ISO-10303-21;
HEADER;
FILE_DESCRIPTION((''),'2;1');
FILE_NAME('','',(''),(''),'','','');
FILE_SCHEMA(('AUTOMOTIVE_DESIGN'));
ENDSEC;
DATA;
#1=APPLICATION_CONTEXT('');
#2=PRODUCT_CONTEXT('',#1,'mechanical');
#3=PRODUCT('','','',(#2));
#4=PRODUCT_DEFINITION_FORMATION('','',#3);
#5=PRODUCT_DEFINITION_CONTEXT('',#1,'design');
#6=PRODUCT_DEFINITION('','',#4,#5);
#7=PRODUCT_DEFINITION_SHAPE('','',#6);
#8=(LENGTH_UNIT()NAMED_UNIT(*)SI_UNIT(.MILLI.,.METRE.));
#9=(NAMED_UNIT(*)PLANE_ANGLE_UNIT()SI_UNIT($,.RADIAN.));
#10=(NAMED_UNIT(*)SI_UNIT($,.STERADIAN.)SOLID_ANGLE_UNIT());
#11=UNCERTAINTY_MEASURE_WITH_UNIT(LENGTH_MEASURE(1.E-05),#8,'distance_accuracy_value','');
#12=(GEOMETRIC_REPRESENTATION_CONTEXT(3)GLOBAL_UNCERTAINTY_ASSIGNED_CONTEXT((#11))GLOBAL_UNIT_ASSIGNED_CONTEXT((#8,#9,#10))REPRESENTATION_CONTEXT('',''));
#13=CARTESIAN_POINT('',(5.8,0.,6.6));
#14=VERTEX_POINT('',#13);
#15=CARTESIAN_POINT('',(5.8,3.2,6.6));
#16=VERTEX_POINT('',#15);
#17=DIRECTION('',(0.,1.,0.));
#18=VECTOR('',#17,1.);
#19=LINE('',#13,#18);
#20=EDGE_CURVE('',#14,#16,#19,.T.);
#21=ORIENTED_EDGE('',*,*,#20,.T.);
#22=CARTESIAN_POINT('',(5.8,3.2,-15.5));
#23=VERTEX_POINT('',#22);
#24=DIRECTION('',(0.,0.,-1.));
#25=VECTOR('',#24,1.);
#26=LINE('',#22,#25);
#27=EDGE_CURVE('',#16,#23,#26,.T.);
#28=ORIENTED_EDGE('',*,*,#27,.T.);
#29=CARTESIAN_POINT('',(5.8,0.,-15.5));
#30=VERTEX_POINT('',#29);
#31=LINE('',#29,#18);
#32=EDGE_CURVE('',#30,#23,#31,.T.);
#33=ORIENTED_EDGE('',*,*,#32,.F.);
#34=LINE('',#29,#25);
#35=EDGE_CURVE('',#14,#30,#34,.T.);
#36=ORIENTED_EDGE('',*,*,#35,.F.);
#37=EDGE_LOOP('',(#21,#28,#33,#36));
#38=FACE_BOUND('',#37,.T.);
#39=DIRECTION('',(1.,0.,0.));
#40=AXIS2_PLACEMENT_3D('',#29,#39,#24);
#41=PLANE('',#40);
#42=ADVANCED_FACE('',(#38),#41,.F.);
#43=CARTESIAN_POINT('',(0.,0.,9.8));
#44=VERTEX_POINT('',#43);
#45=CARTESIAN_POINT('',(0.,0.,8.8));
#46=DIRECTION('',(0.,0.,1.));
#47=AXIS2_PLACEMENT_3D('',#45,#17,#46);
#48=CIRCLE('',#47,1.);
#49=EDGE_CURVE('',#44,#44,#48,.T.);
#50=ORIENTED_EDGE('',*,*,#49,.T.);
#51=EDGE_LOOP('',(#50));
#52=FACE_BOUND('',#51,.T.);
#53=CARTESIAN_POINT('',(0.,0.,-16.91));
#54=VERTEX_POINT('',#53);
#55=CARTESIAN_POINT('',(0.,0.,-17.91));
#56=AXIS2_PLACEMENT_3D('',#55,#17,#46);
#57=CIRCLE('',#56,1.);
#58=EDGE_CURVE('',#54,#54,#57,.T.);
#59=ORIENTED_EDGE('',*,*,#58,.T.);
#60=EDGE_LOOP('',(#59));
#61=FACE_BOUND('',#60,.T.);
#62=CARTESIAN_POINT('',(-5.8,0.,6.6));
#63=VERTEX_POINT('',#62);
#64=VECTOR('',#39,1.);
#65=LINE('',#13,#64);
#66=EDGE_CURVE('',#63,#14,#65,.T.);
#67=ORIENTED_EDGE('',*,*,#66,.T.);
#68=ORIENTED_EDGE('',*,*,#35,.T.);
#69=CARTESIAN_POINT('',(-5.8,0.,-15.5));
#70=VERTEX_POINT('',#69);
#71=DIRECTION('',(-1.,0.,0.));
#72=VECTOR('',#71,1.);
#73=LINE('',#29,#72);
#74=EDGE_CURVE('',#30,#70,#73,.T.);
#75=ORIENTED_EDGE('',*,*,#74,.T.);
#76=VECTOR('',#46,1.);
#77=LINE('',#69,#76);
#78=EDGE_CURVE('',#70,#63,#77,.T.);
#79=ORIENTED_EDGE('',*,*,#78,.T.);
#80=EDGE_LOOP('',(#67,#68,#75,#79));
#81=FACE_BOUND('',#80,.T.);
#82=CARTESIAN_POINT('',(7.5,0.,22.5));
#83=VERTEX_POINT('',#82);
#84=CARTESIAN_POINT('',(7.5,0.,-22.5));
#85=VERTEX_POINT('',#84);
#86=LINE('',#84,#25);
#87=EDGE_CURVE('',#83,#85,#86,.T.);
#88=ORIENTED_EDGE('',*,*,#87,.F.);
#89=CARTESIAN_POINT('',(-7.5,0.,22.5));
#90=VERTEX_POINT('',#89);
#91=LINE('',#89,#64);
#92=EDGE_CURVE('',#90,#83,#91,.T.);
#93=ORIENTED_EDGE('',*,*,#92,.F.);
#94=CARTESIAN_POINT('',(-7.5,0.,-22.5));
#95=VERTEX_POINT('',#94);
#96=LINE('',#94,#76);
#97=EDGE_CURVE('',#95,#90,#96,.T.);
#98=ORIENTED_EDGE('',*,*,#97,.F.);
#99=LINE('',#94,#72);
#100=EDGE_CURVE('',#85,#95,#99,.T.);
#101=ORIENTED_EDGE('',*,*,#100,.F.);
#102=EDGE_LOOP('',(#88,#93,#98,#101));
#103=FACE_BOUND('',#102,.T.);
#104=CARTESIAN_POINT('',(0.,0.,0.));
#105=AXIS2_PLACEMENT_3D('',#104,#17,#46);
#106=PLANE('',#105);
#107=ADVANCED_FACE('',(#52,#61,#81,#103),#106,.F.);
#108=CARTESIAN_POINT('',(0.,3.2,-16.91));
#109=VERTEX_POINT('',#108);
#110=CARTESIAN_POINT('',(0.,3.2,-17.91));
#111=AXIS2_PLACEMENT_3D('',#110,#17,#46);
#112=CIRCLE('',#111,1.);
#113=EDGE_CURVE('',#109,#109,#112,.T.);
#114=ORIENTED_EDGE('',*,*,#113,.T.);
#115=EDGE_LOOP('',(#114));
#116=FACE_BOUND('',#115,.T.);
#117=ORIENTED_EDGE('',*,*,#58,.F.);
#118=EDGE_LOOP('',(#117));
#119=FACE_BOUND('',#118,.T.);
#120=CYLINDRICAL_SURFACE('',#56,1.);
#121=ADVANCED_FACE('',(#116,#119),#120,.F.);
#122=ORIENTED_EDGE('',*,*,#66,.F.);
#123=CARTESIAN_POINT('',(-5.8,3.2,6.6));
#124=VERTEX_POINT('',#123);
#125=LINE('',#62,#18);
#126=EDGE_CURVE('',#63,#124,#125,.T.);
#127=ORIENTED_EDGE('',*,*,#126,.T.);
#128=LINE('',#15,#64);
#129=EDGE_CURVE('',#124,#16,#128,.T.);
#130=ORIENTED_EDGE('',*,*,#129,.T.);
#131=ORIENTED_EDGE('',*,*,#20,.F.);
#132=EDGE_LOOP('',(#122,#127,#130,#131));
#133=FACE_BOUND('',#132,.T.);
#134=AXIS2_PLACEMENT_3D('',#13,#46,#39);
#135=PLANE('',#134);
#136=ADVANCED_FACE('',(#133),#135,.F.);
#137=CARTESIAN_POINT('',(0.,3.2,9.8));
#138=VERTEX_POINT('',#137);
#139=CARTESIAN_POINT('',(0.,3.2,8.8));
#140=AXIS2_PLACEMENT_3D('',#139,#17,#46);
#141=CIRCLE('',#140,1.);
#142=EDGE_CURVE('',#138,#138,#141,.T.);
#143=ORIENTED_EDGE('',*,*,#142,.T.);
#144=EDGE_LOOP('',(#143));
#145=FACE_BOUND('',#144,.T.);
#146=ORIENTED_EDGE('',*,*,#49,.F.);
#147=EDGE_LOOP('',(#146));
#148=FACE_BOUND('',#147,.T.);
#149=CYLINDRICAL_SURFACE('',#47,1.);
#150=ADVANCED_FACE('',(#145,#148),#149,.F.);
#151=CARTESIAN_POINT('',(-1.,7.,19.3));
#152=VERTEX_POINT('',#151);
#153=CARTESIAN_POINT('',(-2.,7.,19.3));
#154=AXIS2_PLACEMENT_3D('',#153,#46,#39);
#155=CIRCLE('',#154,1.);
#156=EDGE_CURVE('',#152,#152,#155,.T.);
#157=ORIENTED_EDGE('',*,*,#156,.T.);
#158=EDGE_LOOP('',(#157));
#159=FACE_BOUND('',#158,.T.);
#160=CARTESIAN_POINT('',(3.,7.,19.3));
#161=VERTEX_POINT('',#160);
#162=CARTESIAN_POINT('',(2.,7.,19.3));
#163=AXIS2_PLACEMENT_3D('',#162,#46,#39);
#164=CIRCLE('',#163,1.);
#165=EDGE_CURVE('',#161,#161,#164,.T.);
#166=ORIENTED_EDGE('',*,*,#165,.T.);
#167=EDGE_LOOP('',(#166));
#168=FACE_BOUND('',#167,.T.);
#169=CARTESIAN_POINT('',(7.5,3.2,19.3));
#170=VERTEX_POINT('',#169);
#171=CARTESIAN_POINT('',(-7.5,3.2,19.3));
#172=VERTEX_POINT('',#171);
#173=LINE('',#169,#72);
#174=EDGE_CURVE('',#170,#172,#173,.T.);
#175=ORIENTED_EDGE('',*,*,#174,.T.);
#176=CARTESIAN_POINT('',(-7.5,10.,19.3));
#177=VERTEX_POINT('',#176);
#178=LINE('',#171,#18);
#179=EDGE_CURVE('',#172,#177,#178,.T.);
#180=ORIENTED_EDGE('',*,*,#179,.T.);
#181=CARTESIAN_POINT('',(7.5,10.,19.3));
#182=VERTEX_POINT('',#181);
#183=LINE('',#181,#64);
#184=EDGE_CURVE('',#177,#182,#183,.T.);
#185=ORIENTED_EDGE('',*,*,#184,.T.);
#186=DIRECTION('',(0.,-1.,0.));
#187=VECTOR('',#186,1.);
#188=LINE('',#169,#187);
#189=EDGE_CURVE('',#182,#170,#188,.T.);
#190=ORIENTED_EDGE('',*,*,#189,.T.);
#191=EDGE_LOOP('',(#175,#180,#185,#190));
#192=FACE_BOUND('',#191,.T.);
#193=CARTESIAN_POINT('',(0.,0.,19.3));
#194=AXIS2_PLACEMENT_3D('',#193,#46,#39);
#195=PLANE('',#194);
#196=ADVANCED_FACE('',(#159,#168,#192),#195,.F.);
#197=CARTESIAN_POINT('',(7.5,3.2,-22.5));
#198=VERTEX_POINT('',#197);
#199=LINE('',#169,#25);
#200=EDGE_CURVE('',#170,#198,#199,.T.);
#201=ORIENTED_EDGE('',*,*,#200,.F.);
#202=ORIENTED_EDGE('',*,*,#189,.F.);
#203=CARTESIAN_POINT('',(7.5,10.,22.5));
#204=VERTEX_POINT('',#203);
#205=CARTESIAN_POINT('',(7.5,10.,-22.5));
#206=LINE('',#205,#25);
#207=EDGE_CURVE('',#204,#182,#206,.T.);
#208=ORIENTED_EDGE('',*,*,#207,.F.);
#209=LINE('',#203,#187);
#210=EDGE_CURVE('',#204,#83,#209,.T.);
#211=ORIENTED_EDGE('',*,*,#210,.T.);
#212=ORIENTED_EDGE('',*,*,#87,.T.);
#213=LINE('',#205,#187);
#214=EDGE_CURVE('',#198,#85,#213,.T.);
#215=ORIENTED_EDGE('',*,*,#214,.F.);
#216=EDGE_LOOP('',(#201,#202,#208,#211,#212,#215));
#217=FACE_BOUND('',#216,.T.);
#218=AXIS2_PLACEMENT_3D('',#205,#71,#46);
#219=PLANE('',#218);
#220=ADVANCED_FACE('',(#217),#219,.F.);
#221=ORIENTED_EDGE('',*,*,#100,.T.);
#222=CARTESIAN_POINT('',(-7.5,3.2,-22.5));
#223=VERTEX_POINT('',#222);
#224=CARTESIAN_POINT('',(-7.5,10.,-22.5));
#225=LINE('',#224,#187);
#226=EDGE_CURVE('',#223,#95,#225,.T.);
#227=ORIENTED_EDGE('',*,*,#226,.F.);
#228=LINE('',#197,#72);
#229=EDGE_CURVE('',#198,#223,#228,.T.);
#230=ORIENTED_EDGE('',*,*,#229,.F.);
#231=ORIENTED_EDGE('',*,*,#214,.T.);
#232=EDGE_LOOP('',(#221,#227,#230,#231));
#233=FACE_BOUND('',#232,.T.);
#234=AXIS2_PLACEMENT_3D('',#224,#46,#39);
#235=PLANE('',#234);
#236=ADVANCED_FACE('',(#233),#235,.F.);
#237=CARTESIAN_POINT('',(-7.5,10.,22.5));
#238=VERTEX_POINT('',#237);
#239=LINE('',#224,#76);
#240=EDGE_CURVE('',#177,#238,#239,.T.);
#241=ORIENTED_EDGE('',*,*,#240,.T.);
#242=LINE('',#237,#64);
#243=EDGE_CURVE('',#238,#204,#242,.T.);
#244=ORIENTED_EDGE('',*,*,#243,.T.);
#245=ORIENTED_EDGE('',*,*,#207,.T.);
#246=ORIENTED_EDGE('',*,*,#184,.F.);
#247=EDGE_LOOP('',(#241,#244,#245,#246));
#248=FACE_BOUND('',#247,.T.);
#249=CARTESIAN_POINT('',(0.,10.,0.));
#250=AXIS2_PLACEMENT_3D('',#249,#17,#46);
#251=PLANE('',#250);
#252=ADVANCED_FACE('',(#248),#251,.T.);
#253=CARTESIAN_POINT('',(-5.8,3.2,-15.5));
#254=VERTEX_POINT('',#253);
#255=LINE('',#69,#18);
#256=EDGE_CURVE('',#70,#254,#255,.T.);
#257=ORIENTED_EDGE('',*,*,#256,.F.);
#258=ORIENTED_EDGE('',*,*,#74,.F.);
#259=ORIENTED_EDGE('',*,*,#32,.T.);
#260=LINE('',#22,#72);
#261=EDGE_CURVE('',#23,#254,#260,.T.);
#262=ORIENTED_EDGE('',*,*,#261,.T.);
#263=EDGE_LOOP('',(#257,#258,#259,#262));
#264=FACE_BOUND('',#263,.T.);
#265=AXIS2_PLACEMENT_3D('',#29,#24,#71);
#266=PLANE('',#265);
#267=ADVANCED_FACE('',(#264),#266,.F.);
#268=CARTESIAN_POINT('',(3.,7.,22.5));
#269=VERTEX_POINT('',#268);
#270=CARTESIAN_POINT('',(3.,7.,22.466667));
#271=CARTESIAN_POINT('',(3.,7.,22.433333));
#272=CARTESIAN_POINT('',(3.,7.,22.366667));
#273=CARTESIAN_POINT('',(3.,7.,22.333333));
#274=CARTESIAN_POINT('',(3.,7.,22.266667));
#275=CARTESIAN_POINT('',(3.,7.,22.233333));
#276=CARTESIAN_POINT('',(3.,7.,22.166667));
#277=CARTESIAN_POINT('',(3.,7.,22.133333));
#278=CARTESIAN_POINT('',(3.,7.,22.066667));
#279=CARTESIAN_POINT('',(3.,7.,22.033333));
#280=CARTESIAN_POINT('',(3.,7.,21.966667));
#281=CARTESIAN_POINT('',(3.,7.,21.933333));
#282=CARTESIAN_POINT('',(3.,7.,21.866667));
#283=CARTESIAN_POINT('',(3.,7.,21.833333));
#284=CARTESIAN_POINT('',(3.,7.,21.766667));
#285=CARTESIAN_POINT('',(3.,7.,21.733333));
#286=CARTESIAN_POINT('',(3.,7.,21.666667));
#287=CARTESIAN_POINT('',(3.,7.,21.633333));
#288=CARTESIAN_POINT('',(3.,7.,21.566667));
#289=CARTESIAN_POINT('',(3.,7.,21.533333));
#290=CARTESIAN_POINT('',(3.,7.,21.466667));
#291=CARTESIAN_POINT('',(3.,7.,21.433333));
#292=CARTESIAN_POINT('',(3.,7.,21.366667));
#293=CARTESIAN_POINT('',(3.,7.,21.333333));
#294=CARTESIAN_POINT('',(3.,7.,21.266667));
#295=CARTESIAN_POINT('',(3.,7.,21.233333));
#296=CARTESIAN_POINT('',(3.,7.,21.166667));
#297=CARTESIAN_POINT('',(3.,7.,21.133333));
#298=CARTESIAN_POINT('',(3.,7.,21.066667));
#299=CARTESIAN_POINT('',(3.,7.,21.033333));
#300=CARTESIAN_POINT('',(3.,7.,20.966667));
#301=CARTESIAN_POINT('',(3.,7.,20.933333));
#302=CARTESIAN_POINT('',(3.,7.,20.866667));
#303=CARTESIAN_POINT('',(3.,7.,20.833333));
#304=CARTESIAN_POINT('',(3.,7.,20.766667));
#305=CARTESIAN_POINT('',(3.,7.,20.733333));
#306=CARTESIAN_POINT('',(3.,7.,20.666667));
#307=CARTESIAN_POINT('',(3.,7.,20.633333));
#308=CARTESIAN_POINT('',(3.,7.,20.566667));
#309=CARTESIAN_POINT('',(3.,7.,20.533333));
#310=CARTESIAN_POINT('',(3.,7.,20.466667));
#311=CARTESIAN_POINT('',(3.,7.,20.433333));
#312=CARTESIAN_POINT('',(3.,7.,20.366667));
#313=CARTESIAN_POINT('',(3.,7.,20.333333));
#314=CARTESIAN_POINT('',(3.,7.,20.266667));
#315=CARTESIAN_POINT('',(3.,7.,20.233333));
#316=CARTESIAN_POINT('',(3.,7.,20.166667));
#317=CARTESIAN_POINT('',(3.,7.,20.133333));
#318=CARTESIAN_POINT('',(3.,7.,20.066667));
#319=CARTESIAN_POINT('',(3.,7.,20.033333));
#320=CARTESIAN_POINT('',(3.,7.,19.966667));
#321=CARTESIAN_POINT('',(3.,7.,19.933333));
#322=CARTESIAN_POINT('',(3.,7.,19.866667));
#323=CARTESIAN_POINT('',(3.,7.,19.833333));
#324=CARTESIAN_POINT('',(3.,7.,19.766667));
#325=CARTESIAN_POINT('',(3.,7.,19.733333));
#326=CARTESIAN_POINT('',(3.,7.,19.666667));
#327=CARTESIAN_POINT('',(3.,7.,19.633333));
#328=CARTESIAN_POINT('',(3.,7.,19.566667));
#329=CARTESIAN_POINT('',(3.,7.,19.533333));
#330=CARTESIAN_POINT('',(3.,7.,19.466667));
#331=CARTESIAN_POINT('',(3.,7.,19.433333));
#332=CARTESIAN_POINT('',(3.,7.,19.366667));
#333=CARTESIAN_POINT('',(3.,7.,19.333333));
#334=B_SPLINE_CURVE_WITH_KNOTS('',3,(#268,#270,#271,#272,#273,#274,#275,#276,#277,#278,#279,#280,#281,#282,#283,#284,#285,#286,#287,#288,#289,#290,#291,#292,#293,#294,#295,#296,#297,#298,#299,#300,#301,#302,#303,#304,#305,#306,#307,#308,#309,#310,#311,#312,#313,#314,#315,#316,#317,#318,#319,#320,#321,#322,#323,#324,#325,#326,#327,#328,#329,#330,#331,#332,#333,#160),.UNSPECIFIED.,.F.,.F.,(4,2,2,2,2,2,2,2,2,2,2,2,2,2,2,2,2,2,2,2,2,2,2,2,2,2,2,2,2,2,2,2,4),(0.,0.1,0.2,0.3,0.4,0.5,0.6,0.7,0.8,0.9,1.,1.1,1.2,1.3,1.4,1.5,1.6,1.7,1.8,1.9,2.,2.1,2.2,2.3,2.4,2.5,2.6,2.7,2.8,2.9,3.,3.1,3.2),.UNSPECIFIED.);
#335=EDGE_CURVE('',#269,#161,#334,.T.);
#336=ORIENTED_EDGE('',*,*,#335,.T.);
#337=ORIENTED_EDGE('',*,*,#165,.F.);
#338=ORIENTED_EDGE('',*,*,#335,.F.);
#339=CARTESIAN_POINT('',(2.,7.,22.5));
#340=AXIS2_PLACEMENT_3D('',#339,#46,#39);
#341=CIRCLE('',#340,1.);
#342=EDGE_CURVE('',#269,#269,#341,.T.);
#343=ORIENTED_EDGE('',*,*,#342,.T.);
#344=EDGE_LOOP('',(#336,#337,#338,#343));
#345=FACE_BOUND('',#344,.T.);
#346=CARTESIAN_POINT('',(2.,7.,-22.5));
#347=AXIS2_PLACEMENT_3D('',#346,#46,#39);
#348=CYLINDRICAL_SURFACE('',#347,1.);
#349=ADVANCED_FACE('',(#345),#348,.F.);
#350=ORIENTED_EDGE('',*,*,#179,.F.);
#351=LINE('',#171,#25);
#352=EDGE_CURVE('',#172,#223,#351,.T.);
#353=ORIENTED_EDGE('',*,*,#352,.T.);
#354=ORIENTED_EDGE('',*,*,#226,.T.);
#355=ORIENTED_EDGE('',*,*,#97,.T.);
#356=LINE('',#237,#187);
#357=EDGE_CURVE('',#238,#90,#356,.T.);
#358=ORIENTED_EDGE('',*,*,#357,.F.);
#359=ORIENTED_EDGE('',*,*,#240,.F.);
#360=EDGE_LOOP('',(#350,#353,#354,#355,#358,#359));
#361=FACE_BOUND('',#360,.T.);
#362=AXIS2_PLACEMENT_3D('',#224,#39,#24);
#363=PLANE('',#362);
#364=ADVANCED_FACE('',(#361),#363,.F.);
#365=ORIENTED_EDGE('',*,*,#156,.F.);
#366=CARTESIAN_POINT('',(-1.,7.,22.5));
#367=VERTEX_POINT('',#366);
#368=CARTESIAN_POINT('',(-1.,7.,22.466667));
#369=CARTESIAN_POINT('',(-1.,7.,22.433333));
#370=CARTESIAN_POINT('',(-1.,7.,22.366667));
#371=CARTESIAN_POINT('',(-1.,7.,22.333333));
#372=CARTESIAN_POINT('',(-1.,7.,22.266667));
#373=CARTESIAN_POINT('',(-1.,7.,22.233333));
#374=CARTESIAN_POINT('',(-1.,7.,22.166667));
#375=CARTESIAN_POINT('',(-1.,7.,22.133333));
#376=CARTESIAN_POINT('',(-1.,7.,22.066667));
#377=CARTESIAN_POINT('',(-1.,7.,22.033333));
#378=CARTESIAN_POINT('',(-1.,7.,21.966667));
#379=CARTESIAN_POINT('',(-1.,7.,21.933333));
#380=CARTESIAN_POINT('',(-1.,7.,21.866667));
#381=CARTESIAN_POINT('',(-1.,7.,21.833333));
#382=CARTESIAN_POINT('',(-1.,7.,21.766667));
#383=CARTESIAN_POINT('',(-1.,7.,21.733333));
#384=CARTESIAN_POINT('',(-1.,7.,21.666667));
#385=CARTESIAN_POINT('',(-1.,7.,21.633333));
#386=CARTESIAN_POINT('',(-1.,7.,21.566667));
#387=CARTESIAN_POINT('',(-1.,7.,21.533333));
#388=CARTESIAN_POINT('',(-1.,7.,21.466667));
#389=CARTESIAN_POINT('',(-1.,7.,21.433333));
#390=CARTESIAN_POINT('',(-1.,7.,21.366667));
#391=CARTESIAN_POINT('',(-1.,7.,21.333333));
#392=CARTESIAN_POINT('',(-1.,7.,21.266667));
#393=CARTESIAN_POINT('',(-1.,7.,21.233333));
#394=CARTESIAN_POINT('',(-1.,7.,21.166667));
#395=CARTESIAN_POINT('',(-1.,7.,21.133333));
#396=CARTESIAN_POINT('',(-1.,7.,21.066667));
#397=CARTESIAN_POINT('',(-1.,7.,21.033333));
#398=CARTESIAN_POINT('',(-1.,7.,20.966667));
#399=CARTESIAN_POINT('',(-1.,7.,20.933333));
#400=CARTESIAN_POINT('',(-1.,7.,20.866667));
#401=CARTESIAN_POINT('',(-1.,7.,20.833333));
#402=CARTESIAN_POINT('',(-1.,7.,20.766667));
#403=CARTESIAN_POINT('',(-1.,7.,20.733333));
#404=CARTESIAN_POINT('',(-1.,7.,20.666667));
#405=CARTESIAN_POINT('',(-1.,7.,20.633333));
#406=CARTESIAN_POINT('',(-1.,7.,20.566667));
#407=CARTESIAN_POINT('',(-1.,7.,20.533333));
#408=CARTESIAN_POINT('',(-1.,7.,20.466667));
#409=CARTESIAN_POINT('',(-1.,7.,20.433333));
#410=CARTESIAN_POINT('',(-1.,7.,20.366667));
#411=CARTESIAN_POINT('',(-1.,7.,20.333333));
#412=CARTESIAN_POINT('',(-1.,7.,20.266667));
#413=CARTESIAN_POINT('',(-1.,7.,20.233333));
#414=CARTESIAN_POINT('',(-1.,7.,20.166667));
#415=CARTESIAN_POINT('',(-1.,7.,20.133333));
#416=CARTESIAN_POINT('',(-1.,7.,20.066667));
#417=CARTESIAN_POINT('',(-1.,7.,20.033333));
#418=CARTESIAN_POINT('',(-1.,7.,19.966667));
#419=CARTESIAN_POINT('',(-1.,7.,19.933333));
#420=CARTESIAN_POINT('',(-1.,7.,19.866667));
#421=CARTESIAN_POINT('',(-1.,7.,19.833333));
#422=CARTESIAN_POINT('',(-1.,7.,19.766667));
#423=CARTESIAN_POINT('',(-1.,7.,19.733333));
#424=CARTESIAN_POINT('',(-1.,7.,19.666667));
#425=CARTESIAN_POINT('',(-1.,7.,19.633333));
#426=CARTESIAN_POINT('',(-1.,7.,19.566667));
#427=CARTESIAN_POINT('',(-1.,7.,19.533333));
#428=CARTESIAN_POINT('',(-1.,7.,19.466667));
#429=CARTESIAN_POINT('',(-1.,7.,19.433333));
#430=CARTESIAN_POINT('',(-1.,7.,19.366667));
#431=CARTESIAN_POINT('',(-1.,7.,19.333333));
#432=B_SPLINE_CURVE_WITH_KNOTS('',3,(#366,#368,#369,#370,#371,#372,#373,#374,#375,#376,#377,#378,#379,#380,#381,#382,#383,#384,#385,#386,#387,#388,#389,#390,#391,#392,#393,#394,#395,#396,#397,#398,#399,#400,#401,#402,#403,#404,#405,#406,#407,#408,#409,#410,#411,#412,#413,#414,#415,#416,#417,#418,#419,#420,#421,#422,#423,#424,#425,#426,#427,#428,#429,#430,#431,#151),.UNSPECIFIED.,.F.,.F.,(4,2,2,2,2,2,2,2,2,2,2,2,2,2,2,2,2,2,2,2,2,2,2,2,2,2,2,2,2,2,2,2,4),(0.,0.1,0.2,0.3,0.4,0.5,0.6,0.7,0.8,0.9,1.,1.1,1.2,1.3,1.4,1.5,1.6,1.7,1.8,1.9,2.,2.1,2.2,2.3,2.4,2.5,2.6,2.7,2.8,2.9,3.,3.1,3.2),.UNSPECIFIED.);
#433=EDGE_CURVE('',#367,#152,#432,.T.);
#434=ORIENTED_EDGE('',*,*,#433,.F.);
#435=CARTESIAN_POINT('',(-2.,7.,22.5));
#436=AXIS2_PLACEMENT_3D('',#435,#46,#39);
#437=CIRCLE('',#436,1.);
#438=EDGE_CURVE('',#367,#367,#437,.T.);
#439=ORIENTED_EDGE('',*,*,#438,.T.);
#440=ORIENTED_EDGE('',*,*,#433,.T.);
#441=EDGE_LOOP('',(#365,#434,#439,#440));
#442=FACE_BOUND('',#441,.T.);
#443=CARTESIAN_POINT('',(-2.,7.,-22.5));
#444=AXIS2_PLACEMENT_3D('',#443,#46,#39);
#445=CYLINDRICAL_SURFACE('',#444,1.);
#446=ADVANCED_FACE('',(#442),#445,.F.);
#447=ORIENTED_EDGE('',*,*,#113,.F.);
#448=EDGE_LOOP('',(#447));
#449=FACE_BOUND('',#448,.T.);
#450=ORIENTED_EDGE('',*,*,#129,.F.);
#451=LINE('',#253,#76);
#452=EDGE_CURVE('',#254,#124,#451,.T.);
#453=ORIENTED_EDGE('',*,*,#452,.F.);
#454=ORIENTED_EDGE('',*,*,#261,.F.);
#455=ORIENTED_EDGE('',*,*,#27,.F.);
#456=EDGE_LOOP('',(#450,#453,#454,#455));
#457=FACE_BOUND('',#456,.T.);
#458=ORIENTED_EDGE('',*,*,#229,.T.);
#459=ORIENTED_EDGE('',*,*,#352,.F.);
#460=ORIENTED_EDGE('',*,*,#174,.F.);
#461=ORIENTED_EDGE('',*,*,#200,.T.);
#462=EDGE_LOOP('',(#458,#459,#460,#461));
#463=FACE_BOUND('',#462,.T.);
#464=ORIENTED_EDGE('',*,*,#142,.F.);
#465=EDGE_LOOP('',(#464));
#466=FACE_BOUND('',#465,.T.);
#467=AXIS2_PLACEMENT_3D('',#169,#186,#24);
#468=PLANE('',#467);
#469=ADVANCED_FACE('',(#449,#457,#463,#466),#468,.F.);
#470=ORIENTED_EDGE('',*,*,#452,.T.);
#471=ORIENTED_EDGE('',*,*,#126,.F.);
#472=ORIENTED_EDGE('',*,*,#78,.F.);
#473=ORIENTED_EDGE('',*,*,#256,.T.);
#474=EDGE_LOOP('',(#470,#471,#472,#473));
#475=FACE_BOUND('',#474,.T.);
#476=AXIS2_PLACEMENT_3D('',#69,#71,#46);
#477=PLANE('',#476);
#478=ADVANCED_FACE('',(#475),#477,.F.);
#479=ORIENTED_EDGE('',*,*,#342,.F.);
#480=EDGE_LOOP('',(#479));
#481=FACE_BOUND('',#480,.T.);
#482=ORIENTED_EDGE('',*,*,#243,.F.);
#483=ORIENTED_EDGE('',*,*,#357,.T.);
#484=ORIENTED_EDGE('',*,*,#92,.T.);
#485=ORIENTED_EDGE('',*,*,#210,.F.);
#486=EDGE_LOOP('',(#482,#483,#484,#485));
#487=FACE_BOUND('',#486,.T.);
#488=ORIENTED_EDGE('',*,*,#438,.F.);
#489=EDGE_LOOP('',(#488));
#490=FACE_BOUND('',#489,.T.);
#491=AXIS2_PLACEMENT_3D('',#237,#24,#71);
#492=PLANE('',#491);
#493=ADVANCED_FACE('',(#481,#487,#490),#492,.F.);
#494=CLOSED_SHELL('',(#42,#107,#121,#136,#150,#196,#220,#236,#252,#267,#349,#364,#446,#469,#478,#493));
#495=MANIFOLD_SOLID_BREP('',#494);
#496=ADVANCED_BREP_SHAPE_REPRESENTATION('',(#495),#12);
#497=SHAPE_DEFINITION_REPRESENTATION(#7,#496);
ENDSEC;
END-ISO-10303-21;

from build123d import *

# Parameters (mm, degrees)
SKETCH1_W           = 15
SKETCH1_H           = 45
BOSS_EXTRUDE1_DEPTH = 10
SKETCH4_W           = 15
SKETCH4_H           = 6.8
CUT_EXTRUDE2_DEPTH  = 41.8
SKETCH5_R           = 1
CUT_EXTRUDE3_DEPTH  = 47.703854231
SKETCH6_R           = 1
SKETCH6_W           = 11.6
SKETCH6_H           = 22.1
CUT_EXTRUDE4_DEPTH  = 25.67265693


with BuildPart() as part:
    # Sketch1 → Boss-Extrude1 (new body)
    with BuildSketch(Plane(origin=(0, 0, 0), x_dir=(1, 0, 0), z_dir=(0, 1, 0))):
        Rectangle(SKETCH1_W, SKETCH1_H)
    extrude(amount=BOSS_EXTRUDE1_DEPTH)

    # Sketch4 → Cut-Extrude2 (cut)
    with BuildSketch(Plane(origin=(0, 0, -22.5), x_dir=(-1, 0, 0), z_dir=(0, 0, -1))):
        with Locations((0, 6.6)):
            Rectangle(SKETCH4_W, SKETCH4_H)
    extrude(amount=-CUT_EXTRUDE2_DEPTH, mode=Mode.SUBTRACT)

    # Sketch5 → Cut-Extrude3 (cut, through all)
    with BuildSketch(Plane.XY.offset(22.5)):
        with Locations((-2, 7)):
            Circle(SKETCH5_R)
        with Locations((2, 7)):
            Circle(SKETCH5_R)
    extrude(amount=-CUT_EXTRUDE3_DEPTH, mode=Mode.SUBTRACT)

    # Sketch6 → Cut-Extrude4 (cut, through all)
    with BuildSketch(Plane(origin=(0, 3.2, 0), x_dir=(1, 0, 0), z_dir=(0, 1, 0))):
        with Locations(Location((0, -8.8, 0), (0, 0, 270))):
            Circle(SKETCH6_R)
        with Locations(Location((0, 17.91, 0), (0, 0, 270))):
            Circle(SKETCH6_R)
        with Locations((0, 4.45)):
            Rectangle(SKETCH6_W, SKETCH6_H)
    extrude(amount=-CUT_EXTRUDE4_DEPTH, mode=Mode.SUBTRACT)


solid = part.part
